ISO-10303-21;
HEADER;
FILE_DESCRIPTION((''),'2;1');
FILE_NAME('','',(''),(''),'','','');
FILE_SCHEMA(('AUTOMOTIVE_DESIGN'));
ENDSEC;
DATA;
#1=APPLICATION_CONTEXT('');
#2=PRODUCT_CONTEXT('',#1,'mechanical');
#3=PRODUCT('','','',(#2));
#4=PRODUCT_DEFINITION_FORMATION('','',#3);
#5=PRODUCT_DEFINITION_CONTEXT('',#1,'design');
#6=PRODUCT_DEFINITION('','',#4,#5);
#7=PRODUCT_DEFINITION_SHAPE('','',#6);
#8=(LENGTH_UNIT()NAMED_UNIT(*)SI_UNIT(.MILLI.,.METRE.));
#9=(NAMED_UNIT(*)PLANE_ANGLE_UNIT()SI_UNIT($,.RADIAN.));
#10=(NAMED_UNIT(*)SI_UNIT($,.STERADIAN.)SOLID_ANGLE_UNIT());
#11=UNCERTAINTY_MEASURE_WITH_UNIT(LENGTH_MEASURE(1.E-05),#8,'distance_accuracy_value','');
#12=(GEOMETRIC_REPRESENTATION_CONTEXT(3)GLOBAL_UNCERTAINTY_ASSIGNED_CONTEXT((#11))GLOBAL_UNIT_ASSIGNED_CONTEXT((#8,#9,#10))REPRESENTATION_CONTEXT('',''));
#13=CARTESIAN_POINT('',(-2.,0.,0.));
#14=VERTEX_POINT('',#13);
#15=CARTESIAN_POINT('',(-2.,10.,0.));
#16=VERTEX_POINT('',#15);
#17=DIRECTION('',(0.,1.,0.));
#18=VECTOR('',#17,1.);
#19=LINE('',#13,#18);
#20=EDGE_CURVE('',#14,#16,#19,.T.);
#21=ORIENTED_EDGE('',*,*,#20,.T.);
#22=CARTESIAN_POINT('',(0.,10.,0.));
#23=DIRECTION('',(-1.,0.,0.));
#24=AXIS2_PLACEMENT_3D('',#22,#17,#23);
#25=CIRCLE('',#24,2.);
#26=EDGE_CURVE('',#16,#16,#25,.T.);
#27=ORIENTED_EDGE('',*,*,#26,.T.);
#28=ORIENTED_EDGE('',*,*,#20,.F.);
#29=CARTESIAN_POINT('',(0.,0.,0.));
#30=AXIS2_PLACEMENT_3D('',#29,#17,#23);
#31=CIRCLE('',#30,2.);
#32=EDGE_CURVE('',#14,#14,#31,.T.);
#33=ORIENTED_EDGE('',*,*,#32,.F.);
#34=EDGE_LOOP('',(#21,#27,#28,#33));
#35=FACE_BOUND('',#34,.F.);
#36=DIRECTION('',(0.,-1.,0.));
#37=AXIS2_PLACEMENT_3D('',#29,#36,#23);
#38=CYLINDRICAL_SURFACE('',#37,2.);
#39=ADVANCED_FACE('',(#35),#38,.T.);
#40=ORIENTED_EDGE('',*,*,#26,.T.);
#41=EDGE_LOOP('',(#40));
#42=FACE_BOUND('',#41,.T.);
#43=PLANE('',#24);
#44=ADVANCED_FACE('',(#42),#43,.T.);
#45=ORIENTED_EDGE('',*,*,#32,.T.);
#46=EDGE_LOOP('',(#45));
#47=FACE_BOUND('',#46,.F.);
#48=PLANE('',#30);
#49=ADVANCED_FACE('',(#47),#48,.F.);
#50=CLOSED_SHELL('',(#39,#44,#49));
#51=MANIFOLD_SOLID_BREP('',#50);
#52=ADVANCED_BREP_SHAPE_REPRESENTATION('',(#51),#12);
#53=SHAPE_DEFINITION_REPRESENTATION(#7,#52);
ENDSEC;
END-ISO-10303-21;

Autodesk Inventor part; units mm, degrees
ref_plane "YZ Plane" through (0, 0, 0) normal (1, 0, 0) x (0, 1, 0)
ref_plane "XZ Plane" through (0, 0, 0) normal (0, 1, 0) x (-1, 0, 0)
ref_plane "XY Plane" through (0, 0, 0) normal (0, 0, 1) x (1, 0, 0)
sketch "Szkic1" plane through (0, 0, 0) normal (0, 1, 0) x (-1, 0, 0)
  circle A0 centre (0, 0) radius 2
  dimension "d0" = 4
extrude "Wyciągnięcie proste1" add sketch "Szkic1" along normal blind 10
properties part number "connecting_rod"
